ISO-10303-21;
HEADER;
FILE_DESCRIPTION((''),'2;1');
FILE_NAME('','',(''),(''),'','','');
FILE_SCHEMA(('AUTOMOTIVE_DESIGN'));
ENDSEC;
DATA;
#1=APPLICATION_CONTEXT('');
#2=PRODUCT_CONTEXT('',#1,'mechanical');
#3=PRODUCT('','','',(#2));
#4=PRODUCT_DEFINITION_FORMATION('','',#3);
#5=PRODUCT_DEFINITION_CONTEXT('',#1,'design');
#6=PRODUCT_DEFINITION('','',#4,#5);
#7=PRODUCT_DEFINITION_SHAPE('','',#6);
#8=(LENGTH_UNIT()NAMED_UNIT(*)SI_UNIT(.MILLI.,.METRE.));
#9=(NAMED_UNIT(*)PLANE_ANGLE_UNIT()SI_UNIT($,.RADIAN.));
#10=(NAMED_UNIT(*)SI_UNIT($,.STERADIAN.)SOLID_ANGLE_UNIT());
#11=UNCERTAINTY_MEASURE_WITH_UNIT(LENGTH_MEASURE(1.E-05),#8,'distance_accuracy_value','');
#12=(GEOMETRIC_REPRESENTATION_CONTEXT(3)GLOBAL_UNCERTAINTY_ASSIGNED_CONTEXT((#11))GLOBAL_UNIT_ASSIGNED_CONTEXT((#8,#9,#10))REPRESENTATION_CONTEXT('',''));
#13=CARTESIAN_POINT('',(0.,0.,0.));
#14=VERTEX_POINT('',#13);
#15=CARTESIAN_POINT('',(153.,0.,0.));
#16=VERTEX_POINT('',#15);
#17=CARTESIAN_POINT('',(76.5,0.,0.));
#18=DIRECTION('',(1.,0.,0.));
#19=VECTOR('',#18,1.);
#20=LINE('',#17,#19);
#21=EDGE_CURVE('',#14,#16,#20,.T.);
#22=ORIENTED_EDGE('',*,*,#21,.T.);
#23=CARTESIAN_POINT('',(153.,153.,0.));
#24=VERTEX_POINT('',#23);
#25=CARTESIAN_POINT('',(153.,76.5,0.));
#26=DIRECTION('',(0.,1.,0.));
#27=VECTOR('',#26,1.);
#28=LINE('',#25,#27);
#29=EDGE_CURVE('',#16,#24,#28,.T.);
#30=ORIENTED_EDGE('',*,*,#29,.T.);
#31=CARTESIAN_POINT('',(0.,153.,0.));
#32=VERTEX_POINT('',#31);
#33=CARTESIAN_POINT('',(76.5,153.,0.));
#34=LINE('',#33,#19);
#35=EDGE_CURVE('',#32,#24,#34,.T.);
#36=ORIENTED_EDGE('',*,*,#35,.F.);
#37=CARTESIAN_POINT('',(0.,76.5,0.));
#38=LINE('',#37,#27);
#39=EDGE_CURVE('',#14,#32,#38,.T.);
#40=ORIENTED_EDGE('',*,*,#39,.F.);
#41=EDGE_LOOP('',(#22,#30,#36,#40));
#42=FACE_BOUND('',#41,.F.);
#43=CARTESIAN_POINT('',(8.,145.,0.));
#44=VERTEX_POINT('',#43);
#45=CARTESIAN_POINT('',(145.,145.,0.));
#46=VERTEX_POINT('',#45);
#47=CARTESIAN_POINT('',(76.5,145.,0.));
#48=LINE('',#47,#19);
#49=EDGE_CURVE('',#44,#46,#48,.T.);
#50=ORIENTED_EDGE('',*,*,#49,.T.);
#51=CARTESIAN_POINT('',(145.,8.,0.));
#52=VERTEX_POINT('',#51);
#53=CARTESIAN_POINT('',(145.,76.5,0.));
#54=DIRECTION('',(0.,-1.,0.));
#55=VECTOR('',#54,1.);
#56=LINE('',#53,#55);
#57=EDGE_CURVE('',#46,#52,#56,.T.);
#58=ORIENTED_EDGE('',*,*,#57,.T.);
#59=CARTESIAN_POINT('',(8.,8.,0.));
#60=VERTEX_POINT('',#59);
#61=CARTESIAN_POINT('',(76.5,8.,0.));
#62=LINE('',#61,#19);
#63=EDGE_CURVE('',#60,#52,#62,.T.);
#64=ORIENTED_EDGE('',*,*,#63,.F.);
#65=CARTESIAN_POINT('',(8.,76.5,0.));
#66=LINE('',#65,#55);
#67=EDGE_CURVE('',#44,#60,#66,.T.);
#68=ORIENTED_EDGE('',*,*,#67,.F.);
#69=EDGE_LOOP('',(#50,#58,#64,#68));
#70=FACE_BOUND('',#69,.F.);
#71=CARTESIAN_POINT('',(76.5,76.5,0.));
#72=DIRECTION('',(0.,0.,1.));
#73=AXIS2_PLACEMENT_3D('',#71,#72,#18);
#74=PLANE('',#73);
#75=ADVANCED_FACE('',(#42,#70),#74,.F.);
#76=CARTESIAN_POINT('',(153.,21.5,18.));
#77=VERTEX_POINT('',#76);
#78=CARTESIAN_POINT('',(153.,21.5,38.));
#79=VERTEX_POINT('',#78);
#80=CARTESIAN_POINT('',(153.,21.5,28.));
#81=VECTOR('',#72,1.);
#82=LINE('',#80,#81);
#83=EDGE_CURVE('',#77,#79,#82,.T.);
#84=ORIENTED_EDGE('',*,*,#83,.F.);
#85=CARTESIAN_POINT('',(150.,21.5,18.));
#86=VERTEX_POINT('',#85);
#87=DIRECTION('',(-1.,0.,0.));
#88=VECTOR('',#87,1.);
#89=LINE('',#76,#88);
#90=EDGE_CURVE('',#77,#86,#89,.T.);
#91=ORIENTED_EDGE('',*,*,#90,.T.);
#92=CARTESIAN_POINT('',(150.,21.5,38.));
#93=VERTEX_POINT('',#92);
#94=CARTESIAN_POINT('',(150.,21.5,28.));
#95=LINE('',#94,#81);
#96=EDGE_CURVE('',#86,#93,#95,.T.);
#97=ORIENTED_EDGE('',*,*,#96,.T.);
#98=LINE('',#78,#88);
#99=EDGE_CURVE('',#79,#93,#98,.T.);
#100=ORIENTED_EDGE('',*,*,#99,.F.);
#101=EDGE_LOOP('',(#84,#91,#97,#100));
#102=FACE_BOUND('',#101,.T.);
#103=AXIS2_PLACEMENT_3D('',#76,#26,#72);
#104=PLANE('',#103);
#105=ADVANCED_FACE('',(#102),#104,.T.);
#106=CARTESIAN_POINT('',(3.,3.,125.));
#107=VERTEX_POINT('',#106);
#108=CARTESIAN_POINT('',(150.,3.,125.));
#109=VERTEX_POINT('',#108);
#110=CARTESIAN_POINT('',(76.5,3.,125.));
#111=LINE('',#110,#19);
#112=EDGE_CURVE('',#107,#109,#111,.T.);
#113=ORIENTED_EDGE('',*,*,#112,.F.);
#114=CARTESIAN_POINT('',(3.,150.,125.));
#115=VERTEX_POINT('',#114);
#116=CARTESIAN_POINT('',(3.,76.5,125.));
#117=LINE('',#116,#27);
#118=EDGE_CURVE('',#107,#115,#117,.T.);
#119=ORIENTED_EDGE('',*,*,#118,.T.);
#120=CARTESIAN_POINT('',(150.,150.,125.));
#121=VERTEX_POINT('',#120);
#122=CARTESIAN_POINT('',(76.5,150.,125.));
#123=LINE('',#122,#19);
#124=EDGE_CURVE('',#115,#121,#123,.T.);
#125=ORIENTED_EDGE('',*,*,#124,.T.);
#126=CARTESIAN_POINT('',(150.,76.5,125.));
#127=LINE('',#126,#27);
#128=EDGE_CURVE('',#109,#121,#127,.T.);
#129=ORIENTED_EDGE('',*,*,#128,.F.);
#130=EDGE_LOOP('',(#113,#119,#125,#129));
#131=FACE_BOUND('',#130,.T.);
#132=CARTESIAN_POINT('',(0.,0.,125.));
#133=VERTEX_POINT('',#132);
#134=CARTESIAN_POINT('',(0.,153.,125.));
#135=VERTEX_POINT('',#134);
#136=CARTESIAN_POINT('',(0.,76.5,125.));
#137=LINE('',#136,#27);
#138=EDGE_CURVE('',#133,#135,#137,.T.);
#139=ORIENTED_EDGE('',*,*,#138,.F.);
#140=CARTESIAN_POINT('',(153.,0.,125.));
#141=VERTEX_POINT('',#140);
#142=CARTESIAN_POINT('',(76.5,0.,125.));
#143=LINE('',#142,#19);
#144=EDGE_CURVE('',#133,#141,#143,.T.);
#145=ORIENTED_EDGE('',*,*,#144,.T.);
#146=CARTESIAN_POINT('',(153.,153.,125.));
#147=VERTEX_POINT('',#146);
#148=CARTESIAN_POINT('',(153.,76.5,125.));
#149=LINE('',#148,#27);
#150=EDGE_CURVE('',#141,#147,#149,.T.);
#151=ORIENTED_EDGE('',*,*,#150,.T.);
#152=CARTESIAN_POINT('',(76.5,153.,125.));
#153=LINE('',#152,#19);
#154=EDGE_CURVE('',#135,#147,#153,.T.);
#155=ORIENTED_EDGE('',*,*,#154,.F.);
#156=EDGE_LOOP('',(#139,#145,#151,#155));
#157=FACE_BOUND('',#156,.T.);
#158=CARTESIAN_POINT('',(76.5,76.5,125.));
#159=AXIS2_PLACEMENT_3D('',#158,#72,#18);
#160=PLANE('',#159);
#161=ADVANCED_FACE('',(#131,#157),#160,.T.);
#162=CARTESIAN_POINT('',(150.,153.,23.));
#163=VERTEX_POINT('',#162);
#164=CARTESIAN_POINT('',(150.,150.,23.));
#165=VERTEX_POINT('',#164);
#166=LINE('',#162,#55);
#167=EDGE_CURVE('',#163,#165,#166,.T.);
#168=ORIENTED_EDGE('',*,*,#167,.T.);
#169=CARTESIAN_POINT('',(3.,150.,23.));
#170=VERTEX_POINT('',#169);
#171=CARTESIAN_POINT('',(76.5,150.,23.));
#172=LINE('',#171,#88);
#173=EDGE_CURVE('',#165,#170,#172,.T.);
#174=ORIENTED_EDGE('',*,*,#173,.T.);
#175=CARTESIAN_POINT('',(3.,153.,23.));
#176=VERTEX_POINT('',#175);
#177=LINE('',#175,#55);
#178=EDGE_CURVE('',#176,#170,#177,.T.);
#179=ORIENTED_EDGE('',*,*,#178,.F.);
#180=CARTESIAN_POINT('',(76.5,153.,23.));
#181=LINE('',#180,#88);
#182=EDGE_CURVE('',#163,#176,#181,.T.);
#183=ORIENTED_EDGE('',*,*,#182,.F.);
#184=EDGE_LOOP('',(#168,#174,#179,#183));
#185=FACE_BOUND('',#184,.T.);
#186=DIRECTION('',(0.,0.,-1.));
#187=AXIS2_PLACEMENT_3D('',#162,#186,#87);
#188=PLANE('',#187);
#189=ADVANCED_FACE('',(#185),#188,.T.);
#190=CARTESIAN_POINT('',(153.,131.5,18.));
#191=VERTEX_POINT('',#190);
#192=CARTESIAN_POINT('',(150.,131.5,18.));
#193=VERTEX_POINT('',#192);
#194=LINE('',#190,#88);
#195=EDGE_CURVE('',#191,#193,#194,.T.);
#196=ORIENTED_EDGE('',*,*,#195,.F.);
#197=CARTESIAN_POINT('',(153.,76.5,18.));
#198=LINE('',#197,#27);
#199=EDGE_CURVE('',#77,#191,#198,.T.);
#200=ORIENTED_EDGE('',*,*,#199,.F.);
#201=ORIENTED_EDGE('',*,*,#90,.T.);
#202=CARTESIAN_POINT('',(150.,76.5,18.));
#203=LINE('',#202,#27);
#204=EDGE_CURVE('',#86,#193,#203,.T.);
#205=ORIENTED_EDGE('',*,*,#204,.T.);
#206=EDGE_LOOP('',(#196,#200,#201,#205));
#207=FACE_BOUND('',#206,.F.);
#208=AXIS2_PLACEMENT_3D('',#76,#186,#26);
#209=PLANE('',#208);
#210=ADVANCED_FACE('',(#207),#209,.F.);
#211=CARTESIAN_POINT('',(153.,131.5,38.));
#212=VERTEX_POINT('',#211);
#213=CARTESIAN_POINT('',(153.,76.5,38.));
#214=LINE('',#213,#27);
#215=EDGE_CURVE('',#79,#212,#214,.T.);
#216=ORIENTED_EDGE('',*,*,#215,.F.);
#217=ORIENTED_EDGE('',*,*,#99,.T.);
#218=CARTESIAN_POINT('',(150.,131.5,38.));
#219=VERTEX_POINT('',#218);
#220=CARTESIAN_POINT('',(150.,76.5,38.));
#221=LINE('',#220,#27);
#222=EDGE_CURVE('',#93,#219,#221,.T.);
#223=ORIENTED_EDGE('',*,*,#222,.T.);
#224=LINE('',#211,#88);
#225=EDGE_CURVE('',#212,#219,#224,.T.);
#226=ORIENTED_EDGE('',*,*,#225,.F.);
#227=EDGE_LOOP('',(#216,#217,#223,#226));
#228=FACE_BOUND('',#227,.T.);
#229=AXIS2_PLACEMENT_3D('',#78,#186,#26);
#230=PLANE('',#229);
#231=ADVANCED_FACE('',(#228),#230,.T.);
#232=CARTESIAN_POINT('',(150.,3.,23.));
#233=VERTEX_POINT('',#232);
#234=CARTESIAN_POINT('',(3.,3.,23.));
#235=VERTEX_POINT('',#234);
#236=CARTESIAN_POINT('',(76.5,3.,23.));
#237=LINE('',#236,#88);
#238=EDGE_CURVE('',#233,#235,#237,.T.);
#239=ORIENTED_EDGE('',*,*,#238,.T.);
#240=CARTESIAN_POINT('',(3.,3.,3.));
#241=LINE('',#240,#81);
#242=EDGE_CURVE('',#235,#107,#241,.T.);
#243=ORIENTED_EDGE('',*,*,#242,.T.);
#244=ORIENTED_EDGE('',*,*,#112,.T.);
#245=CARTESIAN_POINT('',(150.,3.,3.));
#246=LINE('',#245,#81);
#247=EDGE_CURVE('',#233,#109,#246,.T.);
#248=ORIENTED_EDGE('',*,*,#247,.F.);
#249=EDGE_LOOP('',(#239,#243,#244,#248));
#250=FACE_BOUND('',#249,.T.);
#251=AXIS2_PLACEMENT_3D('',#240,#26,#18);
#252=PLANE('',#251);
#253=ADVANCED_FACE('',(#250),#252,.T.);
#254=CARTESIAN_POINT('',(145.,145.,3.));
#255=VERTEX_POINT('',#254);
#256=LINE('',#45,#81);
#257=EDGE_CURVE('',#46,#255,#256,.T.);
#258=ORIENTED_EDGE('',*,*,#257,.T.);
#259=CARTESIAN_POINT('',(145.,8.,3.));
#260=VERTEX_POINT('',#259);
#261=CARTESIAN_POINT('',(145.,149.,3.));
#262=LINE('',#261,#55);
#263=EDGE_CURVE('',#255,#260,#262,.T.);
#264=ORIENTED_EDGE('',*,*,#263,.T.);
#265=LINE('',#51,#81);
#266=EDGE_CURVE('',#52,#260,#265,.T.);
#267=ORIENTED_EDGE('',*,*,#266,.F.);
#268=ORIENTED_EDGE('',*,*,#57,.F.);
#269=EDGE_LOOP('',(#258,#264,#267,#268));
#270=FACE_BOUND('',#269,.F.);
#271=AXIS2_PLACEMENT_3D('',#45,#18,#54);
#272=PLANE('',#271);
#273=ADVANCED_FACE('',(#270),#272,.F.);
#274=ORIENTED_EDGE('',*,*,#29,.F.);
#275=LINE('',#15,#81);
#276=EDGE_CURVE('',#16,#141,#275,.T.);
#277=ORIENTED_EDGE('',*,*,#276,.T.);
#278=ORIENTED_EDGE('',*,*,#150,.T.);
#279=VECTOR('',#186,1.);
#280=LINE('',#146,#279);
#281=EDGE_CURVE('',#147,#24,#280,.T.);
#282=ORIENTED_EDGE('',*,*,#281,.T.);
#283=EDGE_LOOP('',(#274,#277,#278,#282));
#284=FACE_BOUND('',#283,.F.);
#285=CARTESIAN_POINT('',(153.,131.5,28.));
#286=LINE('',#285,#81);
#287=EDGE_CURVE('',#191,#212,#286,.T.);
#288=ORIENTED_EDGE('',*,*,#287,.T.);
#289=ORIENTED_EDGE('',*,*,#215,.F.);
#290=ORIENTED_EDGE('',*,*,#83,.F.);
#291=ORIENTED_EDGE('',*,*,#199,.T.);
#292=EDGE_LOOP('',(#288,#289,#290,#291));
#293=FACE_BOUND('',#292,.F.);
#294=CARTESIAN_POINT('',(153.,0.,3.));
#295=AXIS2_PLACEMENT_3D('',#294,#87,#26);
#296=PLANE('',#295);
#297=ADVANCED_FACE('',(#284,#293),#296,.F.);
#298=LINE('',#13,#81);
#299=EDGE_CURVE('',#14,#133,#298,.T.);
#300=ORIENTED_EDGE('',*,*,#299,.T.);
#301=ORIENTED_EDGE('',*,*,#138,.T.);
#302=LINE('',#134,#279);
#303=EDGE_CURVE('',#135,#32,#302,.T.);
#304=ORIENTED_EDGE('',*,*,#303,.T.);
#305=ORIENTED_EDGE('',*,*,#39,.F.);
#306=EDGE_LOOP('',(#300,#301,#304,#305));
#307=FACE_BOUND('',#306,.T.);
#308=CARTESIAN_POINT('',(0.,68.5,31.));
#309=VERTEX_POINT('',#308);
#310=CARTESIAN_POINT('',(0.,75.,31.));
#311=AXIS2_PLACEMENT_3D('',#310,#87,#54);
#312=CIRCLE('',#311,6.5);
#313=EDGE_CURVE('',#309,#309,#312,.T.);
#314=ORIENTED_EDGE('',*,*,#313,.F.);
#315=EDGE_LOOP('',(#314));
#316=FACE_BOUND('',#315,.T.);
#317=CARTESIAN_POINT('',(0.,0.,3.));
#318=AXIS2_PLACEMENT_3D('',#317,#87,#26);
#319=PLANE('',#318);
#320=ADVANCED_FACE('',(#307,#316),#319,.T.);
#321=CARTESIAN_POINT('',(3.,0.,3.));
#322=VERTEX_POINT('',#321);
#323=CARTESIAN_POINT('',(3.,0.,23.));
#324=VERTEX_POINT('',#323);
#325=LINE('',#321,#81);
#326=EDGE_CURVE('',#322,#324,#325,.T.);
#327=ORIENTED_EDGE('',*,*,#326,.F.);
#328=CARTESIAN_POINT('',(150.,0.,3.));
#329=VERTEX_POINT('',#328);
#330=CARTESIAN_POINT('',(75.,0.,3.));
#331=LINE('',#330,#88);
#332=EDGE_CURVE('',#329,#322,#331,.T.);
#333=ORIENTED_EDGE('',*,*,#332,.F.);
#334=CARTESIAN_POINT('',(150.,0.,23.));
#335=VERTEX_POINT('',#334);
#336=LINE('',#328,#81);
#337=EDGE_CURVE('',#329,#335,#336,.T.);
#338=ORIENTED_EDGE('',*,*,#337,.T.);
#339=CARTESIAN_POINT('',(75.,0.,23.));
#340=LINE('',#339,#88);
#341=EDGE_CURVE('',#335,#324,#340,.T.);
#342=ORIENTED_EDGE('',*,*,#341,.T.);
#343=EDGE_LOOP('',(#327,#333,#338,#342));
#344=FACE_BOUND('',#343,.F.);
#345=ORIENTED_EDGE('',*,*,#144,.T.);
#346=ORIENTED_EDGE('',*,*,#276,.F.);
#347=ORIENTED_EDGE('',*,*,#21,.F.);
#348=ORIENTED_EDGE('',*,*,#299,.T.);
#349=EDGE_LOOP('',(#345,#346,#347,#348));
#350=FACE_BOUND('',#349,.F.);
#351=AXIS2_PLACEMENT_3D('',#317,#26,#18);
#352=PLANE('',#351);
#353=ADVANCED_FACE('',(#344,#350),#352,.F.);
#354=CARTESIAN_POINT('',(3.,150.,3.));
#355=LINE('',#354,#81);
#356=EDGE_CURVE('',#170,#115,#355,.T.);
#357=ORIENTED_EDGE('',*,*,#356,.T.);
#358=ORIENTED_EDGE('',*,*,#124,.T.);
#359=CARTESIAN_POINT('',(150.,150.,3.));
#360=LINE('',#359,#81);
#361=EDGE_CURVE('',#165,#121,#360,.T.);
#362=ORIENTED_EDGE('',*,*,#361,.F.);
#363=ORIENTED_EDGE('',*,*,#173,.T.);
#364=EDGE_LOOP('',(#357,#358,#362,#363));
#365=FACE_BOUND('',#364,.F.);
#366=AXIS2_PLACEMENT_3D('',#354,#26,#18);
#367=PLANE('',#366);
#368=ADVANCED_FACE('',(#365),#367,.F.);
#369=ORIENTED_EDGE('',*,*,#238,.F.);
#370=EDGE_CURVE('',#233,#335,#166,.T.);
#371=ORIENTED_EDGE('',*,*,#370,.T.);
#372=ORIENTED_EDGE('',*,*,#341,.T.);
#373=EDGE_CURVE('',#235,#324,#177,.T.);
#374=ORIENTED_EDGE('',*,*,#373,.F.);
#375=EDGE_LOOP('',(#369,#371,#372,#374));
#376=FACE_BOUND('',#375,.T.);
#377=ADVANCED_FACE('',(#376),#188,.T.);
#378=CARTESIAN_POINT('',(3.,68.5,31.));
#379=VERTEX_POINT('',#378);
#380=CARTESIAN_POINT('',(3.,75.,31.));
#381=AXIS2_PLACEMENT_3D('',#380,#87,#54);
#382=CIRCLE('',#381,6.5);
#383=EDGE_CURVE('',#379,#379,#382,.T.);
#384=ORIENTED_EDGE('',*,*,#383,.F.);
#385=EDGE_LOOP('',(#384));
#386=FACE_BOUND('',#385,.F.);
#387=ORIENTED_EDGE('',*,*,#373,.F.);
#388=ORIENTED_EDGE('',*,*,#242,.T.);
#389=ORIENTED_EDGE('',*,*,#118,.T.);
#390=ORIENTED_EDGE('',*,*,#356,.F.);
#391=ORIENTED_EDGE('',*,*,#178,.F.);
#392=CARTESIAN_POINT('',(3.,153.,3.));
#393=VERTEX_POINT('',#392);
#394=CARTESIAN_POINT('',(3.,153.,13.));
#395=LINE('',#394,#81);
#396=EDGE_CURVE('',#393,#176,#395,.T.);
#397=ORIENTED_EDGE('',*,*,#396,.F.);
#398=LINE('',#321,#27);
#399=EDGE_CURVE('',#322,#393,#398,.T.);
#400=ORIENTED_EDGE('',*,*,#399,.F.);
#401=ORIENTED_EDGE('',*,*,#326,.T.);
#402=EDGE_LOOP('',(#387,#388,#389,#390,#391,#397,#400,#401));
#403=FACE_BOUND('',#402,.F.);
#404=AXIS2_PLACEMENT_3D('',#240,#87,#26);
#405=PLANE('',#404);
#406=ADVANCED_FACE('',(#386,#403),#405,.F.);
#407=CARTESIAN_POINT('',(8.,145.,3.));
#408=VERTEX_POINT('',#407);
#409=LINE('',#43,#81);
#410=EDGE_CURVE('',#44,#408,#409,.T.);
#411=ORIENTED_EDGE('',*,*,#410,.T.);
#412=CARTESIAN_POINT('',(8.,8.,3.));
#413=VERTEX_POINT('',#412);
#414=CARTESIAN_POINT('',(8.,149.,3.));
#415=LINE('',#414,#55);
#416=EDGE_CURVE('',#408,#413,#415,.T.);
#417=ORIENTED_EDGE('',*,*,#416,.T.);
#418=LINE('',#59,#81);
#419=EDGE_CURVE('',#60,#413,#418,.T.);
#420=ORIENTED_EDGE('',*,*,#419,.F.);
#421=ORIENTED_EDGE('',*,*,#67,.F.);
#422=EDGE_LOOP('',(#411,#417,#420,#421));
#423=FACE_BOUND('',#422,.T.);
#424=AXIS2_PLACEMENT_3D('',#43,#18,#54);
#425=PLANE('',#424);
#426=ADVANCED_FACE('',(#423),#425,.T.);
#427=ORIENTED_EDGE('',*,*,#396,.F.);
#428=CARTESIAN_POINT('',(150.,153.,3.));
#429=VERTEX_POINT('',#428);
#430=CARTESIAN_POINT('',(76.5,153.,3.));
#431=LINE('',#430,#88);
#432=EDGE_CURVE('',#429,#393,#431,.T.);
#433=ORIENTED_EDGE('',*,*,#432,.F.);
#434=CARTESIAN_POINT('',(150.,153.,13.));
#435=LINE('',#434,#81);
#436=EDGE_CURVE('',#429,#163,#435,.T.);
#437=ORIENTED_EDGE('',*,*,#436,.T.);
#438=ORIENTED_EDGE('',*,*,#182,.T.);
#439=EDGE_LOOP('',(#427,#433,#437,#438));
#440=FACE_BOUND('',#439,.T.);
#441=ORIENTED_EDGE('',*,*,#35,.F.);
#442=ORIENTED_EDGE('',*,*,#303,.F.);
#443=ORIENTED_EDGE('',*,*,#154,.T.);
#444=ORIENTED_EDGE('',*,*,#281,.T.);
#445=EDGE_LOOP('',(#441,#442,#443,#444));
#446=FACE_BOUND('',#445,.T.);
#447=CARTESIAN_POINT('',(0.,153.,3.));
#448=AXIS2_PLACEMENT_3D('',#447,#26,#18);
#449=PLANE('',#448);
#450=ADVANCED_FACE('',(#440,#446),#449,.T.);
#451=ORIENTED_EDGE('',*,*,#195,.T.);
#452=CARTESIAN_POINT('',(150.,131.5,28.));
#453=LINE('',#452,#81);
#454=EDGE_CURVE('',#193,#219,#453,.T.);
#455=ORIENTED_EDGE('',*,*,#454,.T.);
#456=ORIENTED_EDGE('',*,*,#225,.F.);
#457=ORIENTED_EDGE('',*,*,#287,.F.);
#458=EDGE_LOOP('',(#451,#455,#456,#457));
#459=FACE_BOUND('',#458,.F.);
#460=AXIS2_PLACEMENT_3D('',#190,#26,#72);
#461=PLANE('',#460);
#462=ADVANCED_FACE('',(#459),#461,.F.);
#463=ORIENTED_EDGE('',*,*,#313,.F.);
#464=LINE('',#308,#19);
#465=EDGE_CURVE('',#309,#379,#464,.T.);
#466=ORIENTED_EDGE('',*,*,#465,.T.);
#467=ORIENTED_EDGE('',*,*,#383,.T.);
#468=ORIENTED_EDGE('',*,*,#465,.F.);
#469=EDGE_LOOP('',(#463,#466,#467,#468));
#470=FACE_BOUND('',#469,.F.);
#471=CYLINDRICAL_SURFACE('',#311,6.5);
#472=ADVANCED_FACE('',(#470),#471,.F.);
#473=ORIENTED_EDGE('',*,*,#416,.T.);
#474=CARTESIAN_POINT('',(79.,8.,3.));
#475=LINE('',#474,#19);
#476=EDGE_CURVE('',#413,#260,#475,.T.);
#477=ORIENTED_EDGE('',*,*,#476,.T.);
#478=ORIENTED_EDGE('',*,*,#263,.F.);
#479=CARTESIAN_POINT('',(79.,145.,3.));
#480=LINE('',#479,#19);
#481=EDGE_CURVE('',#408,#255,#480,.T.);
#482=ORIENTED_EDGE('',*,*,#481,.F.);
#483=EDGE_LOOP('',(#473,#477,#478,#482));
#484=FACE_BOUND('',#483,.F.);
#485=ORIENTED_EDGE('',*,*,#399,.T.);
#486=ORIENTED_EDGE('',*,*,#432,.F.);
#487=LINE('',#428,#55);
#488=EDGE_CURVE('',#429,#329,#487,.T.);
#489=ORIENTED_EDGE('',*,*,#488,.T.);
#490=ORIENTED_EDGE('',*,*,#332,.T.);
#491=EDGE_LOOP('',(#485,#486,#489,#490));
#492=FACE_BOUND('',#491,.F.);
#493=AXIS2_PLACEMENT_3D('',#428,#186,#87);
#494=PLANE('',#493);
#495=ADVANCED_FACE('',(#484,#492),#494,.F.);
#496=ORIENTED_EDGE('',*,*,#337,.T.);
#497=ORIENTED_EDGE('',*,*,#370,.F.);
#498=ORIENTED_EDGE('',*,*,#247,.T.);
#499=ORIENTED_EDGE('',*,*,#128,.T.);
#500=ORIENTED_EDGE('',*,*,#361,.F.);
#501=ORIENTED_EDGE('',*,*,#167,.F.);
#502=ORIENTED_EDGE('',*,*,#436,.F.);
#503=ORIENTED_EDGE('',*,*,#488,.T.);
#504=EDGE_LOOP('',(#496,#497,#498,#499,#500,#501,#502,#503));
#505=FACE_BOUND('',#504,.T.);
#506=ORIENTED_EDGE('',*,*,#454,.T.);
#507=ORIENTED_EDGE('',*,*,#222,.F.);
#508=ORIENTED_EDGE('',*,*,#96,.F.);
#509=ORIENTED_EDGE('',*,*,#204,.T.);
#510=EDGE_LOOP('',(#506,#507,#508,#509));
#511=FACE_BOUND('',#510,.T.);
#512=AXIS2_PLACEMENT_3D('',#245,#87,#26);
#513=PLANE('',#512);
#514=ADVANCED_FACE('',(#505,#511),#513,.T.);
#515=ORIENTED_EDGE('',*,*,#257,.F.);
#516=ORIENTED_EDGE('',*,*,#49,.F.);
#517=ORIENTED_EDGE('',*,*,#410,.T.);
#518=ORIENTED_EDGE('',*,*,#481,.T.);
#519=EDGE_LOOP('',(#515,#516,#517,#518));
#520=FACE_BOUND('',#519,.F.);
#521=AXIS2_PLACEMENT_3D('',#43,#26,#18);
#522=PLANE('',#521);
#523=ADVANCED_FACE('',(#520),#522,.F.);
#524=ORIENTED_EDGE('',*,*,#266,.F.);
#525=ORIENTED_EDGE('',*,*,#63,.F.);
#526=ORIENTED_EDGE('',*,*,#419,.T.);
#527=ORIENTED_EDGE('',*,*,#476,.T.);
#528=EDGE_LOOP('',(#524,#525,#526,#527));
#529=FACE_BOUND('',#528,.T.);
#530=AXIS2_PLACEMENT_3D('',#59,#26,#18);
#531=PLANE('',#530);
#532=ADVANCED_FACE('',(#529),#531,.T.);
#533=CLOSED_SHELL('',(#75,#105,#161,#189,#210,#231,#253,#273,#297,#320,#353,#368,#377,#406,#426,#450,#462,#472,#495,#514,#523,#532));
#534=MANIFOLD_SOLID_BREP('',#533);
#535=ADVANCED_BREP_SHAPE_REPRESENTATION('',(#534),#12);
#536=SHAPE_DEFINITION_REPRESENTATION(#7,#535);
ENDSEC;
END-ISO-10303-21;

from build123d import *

# Parameters (mm, degrees)
SKETCH_W        = 153
SKETCH_H        = 153
PAD_DEPTH       = 3
SKETCH001_W     = 153
SKETCH001_H     = 153
SKETCH001_W_2   = 147
SKETCH001_H_2   = 147
PAD001_DEPTH    = 122
SKETCH002_W     = 147
SKETCH002_H     = 20
POCKET_DEPTH    = 200
SKETCH003_W     = 137
SKETCH003_H     = 137
POCKET001_DEPTH = 5
SKETCH004_R     = 6.5
POCKET002_DEPTH = 3
SKETCH005_W     = 110
SKETCH005_H     = 20
POCKET003_DEPTH = 3


with BuildPart() as part:
    # Sketch → Pad (new body)
    with BuildSketch(Plane.XY):
        with Locations((76.5, 76.5)):
            Rectangle(SKETCH_W, SKETCH_H)
    extrude(amount=PAD_DEPTH)

    # Sketch001 (on Face6 of Pad) → Pad001 (join)
    with BuildSketch(Plane.XY.offset(3)):
        with Locations((76.5, 76.5)):
            Rectangle(SKETCH001_W, SKETCH001_H)
        with Locations((76.5, 76.5)):
            Rectangle(SKETCH001_W_2, SKETCH001_H_2, mode=Mode.SUBTRACT)
    extrude(amount=PAD001_DEPTH)

    # Sketch002 (on Face10 of Pad001) → Pocket (cut)
    with BuildSketch(Plane(origin=(0, 153, 0), x_dir=(-1, 0, 0), z_dir=(0, 1, 0))):
        with Locations((-76.5, 13)):
            Rectangle(SKETCH002_W, SKETCH002_H)
    extrude(amount=-POCKET_DEPTH, mode=Mode.SUBTRACT)

    # Sketch003 (on Face4 of Pocket) → Pocket001 (cut)
    with BuildSketch(Plane(origin=(0, 0, 0), x_dir=(1, 0, 0), z_dir=(0, 0, -1))):
        with Locations((76.5, -76.5)):
            Rectangle(SKETCH003_W, SKETCH003_H)
    extrude(amount=-POCKET001_DEPTH, mode=Mode.SUBTRACT)

    # Sketch004 (on Face8 of Pocket001) → Pocket002 (cut)
    with BuildSketch(Plane(origin=(0, 0, 0), x_dir=(0, -1, 0), z_dir=(-1, 0, 0))):
        with Locations((-75, 31)):
            Circle(SKETCH004_R)
    extrude(amount=-POCKET002_DEPTH, mode=Mode.SUBTRACT)

    # Sketch005 (on Face9 of Pocket002) → Pocket003 (cut)
    with BuildSketch(Plane.YZ.offset(153)):
        with Locations((76.5, 28)):
            Rectangle(SKETCH005_W, SKETCH005_H)
    extrude(amount=-POCKET003_DEPTH, mode=Mode.SUBTRACT)


solid = part.part
